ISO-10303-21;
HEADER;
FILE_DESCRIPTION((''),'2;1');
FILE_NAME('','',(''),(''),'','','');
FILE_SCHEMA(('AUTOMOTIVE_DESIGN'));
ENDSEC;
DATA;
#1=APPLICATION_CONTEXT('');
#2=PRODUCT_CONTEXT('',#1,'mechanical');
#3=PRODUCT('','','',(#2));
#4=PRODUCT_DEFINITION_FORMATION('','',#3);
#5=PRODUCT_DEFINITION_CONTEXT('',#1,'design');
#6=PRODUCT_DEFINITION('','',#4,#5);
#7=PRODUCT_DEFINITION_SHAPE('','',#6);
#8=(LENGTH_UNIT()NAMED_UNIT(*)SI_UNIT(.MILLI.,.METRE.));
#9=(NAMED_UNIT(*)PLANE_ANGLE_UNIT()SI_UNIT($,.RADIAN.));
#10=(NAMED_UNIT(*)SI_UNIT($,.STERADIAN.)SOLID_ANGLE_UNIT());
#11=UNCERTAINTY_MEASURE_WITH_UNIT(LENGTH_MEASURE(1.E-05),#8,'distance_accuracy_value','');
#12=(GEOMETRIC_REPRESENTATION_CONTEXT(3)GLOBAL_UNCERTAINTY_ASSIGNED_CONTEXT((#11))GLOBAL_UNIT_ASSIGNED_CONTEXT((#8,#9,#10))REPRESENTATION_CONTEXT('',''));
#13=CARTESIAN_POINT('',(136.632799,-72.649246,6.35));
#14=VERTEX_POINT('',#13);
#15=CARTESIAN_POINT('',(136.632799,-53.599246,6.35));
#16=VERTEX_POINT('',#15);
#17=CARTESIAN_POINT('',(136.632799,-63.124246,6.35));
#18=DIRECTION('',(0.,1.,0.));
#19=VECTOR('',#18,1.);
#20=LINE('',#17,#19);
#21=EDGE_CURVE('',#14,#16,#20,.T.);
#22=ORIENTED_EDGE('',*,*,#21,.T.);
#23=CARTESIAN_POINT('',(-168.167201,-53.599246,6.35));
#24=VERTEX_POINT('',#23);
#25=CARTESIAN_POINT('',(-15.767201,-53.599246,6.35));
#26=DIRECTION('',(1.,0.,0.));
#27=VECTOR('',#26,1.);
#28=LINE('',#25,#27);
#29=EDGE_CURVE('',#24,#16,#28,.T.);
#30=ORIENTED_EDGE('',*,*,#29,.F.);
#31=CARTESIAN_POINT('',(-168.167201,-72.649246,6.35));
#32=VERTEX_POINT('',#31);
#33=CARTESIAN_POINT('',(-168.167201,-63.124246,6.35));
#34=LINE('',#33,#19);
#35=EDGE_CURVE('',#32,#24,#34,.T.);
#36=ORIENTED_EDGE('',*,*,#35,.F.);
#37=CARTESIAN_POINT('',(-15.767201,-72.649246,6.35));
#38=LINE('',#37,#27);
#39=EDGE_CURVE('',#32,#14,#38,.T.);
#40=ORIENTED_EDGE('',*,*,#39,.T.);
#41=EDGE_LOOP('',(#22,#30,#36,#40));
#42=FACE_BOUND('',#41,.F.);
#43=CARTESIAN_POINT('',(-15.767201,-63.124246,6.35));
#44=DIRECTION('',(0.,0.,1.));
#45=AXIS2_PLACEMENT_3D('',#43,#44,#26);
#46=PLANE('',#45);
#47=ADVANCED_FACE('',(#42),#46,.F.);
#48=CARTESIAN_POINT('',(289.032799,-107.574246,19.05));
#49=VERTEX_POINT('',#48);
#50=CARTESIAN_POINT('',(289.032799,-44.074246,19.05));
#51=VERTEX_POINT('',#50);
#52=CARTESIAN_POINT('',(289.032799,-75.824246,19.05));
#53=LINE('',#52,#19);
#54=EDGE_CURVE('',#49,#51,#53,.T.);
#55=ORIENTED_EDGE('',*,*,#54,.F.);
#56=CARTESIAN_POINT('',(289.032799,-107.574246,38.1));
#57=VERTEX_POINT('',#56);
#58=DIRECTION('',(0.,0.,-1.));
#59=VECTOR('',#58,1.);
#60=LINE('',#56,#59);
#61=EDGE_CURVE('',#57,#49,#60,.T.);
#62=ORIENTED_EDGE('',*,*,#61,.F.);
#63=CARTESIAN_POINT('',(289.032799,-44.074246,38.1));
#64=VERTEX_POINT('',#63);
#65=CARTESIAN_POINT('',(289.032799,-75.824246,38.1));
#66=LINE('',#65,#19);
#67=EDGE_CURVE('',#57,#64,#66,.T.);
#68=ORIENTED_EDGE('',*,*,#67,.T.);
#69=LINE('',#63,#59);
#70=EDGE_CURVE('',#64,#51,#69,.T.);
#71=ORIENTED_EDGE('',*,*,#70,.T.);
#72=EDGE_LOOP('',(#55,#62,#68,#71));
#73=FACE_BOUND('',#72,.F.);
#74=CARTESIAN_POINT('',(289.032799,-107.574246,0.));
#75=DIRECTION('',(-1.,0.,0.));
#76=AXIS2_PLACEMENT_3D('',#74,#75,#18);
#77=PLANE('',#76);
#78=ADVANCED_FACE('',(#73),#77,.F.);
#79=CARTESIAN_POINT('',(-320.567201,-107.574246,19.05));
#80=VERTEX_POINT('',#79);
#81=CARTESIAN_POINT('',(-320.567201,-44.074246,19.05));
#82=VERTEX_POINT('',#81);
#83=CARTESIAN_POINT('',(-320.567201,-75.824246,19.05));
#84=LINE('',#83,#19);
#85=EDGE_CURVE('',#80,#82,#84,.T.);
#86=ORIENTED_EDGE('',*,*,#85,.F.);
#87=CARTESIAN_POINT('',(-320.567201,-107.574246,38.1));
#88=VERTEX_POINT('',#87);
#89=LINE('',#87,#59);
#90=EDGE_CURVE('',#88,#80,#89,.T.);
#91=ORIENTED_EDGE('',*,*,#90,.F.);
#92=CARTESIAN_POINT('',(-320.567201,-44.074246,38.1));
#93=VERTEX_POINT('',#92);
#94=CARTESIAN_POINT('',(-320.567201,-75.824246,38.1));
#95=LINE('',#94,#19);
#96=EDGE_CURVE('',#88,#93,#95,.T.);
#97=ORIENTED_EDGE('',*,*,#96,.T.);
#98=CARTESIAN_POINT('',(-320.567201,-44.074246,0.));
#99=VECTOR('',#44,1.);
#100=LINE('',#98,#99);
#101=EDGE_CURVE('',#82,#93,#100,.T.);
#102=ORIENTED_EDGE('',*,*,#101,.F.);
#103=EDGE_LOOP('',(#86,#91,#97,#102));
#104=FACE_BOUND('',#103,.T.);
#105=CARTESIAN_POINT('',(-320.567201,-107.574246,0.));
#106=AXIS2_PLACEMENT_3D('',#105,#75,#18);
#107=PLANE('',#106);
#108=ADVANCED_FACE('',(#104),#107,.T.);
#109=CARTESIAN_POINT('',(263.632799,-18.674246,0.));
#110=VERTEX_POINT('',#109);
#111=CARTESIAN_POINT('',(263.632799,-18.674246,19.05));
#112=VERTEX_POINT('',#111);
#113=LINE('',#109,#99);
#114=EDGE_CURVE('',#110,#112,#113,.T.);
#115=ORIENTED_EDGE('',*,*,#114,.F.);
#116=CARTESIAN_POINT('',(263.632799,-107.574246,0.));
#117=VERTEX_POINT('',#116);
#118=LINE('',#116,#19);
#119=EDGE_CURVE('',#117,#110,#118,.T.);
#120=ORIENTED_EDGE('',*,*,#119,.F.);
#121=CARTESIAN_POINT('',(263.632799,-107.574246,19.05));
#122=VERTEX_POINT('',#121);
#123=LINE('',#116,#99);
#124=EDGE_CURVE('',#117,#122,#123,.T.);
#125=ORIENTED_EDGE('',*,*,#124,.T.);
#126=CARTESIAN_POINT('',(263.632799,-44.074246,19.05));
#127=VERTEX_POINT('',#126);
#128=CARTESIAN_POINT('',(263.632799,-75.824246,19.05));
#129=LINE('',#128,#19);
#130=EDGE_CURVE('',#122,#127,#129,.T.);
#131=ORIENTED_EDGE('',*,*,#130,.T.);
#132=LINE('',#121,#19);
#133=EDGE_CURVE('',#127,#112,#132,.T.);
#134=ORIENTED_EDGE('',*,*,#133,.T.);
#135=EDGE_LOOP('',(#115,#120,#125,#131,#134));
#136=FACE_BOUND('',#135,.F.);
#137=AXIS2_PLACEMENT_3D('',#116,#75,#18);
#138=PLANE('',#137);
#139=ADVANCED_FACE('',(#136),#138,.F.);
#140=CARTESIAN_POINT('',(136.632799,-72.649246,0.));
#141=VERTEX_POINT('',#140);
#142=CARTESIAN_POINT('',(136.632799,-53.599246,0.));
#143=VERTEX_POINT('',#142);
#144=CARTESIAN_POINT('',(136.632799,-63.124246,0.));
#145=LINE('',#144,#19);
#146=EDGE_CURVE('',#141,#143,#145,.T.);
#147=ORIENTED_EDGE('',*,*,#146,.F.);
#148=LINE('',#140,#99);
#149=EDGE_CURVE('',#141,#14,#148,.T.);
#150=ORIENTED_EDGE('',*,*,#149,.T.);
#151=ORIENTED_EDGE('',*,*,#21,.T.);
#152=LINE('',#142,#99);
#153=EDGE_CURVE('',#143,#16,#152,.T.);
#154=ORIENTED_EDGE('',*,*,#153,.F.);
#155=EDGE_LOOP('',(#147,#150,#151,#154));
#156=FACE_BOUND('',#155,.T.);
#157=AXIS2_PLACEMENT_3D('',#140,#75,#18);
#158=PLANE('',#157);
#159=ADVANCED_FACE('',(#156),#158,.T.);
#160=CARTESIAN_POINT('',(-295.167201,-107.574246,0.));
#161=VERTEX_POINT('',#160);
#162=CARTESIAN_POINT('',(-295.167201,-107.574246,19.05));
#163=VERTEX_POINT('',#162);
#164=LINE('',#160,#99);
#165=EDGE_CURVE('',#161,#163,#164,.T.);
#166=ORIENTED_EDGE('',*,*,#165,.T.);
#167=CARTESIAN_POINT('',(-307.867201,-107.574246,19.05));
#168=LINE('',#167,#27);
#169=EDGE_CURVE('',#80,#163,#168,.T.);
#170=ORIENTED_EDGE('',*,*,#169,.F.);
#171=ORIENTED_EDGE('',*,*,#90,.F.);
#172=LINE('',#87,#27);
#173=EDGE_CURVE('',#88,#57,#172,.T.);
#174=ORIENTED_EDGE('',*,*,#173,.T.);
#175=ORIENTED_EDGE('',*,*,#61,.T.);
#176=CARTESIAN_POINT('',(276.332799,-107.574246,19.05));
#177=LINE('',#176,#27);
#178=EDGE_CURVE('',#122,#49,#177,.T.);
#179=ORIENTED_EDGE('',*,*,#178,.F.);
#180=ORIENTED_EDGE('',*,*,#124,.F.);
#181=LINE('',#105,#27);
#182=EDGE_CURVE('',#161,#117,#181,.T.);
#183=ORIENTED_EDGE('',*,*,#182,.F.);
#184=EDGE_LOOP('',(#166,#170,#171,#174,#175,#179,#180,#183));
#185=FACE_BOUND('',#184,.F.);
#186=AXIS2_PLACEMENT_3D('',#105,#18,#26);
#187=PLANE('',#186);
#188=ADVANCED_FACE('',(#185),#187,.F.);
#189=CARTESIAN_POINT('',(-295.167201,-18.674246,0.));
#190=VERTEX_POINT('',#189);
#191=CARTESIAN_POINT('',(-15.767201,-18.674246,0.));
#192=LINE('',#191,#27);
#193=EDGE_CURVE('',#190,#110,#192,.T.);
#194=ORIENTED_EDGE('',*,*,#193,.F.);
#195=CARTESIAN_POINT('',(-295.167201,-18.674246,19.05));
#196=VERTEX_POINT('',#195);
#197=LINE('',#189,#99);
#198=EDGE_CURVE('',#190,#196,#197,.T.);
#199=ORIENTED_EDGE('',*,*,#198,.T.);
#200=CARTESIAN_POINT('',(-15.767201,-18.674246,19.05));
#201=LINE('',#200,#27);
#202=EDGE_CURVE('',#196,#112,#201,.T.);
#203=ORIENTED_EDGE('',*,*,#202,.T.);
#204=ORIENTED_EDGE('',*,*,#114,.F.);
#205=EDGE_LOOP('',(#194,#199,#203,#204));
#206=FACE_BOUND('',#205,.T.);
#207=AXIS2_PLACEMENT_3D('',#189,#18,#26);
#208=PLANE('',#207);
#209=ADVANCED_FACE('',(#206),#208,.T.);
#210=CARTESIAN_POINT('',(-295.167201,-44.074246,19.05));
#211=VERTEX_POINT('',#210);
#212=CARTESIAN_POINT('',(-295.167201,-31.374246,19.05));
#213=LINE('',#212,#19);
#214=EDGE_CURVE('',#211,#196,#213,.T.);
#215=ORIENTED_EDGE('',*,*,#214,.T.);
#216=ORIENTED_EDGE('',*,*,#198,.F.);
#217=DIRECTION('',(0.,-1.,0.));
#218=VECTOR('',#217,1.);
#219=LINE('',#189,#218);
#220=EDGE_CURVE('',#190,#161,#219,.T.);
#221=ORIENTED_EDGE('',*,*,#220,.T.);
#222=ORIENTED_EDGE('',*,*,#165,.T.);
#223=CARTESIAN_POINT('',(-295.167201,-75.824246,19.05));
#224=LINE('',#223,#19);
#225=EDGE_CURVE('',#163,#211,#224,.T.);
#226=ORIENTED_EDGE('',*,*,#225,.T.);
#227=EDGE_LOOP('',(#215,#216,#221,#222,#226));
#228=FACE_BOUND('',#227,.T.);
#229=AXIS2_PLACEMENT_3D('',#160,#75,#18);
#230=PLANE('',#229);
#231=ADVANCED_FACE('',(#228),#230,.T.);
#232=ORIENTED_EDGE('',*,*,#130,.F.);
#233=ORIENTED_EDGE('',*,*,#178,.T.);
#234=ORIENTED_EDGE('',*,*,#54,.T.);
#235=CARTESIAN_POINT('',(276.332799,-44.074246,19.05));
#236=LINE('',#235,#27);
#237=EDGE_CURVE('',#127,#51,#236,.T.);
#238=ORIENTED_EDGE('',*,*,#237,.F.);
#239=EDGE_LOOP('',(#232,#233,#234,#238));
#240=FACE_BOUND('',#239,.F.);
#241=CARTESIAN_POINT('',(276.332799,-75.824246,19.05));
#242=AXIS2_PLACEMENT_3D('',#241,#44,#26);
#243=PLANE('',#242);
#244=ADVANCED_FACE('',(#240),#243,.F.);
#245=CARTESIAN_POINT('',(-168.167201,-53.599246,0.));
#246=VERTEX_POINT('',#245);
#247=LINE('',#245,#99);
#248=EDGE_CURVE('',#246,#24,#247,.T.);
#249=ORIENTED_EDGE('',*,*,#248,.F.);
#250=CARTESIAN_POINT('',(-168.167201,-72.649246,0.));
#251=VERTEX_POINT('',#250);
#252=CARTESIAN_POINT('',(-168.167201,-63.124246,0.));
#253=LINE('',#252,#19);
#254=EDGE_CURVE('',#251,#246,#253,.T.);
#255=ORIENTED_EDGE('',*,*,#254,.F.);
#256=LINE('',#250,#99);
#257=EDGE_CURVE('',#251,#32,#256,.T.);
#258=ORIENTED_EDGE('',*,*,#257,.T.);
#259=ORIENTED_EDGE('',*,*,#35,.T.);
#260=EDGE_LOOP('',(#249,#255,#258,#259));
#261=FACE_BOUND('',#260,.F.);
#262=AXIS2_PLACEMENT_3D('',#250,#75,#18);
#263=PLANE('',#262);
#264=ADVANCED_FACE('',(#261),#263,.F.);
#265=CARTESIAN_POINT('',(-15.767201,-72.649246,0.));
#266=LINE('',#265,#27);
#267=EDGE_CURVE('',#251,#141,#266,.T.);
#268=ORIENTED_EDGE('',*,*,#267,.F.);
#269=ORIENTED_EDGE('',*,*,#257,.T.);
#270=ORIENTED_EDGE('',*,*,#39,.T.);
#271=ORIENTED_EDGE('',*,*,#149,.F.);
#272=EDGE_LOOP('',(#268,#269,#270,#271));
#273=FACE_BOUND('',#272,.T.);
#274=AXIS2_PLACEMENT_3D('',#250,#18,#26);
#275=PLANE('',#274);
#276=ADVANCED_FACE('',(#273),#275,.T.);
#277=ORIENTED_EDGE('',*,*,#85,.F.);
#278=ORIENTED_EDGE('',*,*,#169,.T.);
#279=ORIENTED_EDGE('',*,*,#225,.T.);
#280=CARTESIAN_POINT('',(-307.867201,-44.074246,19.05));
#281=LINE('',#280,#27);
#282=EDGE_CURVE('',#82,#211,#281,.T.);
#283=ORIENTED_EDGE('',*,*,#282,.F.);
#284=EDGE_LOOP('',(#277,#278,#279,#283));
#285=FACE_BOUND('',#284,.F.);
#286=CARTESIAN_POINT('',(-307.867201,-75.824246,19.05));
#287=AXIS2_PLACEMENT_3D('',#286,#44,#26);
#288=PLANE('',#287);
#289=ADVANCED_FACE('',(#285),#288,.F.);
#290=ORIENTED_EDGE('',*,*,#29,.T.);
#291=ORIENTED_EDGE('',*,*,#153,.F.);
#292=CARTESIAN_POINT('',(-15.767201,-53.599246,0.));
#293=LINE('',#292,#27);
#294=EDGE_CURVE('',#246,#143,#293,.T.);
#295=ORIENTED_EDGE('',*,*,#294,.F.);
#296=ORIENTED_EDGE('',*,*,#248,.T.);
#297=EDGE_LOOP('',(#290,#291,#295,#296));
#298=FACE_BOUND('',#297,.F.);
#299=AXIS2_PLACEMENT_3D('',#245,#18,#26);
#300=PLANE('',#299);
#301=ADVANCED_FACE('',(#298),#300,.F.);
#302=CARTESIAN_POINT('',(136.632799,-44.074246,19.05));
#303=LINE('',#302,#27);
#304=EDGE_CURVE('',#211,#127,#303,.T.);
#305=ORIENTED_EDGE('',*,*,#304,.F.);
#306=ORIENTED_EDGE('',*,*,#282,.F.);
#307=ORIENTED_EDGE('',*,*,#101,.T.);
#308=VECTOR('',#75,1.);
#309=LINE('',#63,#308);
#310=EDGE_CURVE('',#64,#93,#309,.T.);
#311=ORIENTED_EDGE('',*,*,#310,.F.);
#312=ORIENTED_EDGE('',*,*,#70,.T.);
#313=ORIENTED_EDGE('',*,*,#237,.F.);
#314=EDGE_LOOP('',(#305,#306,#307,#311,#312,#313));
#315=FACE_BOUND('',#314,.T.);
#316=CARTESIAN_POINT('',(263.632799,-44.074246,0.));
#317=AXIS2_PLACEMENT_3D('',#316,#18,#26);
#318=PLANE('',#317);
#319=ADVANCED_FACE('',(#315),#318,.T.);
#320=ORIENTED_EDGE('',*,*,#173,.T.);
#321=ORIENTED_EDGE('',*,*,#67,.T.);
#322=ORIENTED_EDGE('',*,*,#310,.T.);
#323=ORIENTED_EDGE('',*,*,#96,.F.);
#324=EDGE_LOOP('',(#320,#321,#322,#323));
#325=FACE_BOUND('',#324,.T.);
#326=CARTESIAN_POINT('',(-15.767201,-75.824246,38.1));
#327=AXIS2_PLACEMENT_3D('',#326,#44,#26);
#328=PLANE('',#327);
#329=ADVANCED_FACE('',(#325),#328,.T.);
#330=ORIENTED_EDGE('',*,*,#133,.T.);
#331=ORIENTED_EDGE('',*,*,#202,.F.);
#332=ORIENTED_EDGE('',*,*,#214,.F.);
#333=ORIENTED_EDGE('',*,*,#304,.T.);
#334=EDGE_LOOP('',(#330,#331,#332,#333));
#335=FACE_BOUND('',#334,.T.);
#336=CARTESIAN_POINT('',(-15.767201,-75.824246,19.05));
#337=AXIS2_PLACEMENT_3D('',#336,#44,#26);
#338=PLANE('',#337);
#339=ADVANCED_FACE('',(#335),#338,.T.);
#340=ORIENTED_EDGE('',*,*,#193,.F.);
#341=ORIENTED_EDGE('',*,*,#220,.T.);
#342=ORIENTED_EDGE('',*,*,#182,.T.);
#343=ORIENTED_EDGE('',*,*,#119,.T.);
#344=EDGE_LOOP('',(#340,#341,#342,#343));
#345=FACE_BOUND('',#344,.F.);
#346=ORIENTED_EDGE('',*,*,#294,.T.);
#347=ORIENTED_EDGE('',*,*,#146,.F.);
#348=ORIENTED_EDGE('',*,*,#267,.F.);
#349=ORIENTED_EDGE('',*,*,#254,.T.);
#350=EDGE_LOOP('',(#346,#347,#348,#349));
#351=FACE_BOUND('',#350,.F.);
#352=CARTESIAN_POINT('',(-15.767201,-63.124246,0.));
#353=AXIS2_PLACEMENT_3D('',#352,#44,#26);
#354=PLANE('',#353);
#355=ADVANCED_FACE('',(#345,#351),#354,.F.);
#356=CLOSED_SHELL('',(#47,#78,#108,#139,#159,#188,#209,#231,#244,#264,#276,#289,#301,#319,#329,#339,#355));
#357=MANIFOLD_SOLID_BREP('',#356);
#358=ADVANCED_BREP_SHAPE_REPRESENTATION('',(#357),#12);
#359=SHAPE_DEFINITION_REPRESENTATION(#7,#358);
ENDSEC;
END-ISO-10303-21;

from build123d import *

# Parameters (mm, degrees)
F0_W     = 558.8
F0_H     = 63.5
F0_W_2   = 304.8
F0_H_2   = 19.05
F0_W_3   = 25.4
F0_H_3   = 25.4
F1_DEPTH = 19.05
F2_DEPTH = 38.1
F3_DEPTH = 19.05
F4_DEPTH = 38.1
F5_DEPTH = 6.35


with BuildPart() as f1:
    # F0 (on Top) → F1 (new body)
    with BuildSketch(Plane.XY):
        with Locations((-15.767200847, -75.8242455751)):
            Rectangle(F0_W, F0_H)
        with Locations((-15.767200847, -63.1242455751)):
            Rectangle(F0_W_2, F0_H_2, mode=Mode.SUBTRACT)
        with Locations((-307.867200847, -75.8242455751)):
            Rectangle(F0_W_3, F0_H)
        with Locations((-15.767200847, -31.3742455751)):
            Rectangle(F0_W, F0_H_3)
        with Locations((276.332799153, -75.8242455751)):
            Rectangle(F0_W_3, F0_H)
    extrude(amount=F1_DEPTH)

    # F0 (on Top) → F2 (join)
    with BuildSketch(Plane.XY):
        with Locations((-15.767200847, -75.8242455751)):
            Rectangle(F0_W, F0_H)
        with Locations((-15.767200847, -63.1242455751)):
            Rectangle(F0_W_2, F0_H_2, mode=Mode.SUBTRACT)
        with Locations((-307.867200847, -75.8242455751)):
            Rectangle(F0_W_3, F0_H)
        with Locations((276.332799153, -75.8242455751)):
            Rectangle(F0_W_3, F0_H)
    extrude(amount=F2_DEPTH)

    # F0 (on Top) → F3 (cut)
    with BuildSketch(Plane.XY):
        with Locations((-307.867200847, -75.8242455751)):
            Rectangle(F0_W_3, F0_H)
        with Locations((276.332799153, -75.8242455751)):
            Rectangle(F0_W_3, F0_H)
    extrude(amount=F3_DEPTH, mode=Mode.SUBTRACT)

    # F0 (on Top) → F4 (join)
    with BuildSketch(Plane.XY):
        with Locations((-15.767200847, -63.1242455751)):
            Rectangle(F0_W_2, F0_H_2)
    extrude(amount=F4_DEPTH)

    # F0 (on Top) → F5 (cut)
    with BuildSketch(Plane.XY):
        with Locations((-15.767200847, -63.1242455751)):
            Rectangle(F0_W_2, F0_H_2)
    extrude(amount=F5_DEPTH, mode=Mode.SUBTRACT)


solid = f1.part
